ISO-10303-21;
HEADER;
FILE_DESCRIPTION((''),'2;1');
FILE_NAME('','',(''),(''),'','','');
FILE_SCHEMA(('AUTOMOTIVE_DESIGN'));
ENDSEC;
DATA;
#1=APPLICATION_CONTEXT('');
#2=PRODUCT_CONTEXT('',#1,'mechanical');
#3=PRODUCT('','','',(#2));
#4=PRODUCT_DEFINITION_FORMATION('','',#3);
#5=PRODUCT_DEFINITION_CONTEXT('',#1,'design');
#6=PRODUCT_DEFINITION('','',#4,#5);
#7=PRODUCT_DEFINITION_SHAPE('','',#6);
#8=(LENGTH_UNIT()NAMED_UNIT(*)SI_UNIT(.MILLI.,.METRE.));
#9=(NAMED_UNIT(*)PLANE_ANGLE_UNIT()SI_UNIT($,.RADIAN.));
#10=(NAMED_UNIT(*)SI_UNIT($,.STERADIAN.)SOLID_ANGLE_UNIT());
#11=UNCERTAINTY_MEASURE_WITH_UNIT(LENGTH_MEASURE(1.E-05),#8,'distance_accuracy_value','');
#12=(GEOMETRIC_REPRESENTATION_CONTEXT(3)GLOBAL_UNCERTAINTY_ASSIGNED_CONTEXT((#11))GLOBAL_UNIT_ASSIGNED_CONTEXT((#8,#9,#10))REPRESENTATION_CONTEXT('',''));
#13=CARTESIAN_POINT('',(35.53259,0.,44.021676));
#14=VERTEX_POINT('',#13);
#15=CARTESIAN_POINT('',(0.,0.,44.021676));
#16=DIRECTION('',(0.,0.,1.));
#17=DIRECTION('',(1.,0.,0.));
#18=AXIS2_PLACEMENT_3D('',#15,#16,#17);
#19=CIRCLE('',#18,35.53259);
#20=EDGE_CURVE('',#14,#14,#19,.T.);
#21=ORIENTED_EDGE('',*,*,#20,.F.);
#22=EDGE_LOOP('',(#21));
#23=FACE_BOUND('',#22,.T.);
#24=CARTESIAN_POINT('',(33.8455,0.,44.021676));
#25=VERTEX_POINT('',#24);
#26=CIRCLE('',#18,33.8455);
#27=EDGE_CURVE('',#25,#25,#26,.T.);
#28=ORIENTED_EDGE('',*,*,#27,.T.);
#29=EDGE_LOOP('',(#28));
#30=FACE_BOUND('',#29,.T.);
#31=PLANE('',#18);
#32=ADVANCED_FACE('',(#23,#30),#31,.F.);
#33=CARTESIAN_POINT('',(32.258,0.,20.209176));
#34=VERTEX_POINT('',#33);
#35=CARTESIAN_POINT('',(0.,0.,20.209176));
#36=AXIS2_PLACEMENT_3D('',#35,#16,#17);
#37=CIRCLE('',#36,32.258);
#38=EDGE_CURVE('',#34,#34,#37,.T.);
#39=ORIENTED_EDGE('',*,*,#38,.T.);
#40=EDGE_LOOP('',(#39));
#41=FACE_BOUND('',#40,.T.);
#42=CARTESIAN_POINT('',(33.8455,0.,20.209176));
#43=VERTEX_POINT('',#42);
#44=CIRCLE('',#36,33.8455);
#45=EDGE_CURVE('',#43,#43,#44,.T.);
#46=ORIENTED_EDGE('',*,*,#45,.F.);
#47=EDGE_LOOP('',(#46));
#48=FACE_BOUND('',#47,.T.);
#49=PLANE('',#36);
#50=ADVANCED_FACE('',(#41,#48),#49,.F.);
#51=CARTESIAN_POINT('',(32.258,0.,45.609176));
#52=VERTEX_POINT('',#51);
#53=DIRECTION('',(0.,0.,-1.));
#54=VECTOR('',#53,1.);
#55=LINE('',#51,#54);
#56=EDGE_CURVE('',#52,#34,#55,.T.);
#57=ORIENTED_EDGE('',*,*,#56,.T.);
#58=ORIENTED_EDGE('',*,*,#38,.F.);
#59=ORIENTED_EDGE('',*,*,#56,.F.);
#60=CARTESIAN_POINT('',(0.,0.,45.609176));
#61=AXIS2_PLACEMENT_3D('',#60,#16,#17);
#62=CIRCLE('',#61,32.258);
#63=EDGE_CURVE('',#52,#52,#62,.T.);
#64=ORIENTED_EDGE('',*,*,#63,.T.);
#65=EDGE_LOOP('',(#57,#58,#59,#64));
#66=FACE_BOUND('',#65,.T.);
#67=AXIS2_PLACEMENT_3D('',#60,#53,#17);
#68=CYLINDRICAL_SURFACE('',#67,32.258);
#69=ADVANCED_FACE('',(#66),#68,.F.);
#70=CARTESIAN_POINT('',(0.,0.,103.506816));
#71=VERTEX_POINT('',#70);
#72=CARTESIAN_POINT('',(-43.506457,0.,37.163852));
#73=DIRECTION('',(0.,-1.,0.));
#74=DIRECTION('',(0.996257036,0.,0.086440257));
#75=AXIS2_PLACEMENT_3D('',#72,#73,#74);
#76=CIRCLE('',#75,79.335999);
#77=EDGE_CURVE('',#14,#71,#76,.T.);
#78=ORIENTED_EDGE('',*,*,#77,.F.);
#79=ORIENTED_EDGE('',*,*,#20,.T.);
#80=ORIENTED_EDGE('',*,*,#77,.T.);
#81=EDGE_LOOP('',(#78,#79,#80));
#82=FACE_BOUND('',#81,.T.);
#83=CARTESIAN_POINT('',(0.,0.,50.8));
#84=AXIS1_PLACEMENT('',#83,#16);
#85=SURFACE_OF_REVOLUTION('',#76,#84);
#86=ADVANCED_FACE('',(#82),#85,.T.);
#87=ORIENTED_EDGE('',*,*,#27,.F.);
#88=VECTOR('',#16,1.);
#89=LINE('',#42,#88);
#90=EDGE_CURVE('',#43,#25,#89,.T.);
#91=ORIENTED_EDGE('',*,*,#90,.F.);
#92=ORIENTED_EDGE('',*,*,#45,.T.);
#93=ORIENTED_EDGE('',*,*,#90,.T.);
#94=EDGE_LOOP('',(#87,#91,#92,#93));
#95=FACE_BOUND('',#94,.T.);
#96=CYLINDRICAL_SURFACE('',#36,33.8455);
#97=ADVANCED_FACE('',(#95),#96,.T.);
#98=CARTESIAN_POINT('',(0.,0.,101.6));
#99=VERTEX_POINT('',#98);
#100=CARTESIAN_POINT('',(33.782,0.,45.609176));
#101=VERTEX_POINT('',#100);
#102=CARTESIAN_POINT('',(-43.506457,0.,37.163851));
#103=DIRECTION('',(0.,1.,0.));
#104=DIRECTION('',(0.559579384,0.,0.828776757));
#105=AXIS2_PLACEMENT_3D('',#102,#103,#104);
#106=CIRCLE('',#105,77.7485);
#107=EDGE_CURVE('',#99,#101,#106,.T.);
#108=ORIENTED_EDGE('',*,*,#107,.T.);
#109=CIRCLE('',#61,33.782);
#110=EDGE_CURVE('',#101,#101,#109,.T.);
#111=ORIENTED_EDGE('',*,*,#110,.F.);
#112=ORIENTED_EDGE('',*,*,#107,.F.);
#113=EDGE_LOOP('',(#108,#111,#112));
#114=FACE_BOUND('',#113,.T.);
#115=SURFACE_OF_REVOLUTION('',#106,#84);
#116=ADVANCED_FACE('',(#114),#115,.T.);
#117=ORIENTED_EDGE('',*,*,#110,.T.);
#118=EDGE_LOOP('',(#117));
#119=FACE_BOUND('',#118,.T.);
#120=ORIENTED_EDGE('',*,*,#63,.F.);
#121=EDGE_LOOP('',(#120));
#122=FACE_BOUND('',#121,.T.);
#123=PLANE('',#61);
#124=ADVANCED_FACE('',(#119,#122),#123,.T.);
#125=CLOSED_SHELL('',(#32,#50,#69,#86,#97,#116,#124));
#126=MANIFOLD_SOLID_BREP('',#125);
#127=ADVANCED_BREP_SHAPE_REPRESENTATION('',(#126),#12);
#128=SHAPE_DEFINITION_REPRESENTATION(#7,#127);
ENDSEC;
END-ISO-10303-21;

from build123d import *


with BuildPart() as f1:
    # F0 (on Front) → F1 (revolve)
    with BuildSketch(Plane.XZ):
        with BuildLine():
            Line((32.258, 29.458879), (32.258, 20.209176))
            Line((32.258, 20.209176), (33.8455, 20.209176))
            Line((33.8455, 20.209176), (33.8455, 44.021676))
            Line((33.8455, 44.021676), (35.53259, 44.021676))
            ThreePointArc((35.53259, 44.021676), (24.603532, 77.848371), (0, 103.506816))
            Line((0, 103.506816), (0, 101.6))
            ThreePointArc((0, 101.6), (23.063776, 77.328925), (33.782, 45.609176))
            Line((33.782, 45.609176), (32.258, 45.609176))
            Line((32.258, 45.609176), (32.258, 29.458879))
        make_face()
    revolve(axis=Axis((0, 0, 50.8), (0, 0, 1)))


solid = f1.part
